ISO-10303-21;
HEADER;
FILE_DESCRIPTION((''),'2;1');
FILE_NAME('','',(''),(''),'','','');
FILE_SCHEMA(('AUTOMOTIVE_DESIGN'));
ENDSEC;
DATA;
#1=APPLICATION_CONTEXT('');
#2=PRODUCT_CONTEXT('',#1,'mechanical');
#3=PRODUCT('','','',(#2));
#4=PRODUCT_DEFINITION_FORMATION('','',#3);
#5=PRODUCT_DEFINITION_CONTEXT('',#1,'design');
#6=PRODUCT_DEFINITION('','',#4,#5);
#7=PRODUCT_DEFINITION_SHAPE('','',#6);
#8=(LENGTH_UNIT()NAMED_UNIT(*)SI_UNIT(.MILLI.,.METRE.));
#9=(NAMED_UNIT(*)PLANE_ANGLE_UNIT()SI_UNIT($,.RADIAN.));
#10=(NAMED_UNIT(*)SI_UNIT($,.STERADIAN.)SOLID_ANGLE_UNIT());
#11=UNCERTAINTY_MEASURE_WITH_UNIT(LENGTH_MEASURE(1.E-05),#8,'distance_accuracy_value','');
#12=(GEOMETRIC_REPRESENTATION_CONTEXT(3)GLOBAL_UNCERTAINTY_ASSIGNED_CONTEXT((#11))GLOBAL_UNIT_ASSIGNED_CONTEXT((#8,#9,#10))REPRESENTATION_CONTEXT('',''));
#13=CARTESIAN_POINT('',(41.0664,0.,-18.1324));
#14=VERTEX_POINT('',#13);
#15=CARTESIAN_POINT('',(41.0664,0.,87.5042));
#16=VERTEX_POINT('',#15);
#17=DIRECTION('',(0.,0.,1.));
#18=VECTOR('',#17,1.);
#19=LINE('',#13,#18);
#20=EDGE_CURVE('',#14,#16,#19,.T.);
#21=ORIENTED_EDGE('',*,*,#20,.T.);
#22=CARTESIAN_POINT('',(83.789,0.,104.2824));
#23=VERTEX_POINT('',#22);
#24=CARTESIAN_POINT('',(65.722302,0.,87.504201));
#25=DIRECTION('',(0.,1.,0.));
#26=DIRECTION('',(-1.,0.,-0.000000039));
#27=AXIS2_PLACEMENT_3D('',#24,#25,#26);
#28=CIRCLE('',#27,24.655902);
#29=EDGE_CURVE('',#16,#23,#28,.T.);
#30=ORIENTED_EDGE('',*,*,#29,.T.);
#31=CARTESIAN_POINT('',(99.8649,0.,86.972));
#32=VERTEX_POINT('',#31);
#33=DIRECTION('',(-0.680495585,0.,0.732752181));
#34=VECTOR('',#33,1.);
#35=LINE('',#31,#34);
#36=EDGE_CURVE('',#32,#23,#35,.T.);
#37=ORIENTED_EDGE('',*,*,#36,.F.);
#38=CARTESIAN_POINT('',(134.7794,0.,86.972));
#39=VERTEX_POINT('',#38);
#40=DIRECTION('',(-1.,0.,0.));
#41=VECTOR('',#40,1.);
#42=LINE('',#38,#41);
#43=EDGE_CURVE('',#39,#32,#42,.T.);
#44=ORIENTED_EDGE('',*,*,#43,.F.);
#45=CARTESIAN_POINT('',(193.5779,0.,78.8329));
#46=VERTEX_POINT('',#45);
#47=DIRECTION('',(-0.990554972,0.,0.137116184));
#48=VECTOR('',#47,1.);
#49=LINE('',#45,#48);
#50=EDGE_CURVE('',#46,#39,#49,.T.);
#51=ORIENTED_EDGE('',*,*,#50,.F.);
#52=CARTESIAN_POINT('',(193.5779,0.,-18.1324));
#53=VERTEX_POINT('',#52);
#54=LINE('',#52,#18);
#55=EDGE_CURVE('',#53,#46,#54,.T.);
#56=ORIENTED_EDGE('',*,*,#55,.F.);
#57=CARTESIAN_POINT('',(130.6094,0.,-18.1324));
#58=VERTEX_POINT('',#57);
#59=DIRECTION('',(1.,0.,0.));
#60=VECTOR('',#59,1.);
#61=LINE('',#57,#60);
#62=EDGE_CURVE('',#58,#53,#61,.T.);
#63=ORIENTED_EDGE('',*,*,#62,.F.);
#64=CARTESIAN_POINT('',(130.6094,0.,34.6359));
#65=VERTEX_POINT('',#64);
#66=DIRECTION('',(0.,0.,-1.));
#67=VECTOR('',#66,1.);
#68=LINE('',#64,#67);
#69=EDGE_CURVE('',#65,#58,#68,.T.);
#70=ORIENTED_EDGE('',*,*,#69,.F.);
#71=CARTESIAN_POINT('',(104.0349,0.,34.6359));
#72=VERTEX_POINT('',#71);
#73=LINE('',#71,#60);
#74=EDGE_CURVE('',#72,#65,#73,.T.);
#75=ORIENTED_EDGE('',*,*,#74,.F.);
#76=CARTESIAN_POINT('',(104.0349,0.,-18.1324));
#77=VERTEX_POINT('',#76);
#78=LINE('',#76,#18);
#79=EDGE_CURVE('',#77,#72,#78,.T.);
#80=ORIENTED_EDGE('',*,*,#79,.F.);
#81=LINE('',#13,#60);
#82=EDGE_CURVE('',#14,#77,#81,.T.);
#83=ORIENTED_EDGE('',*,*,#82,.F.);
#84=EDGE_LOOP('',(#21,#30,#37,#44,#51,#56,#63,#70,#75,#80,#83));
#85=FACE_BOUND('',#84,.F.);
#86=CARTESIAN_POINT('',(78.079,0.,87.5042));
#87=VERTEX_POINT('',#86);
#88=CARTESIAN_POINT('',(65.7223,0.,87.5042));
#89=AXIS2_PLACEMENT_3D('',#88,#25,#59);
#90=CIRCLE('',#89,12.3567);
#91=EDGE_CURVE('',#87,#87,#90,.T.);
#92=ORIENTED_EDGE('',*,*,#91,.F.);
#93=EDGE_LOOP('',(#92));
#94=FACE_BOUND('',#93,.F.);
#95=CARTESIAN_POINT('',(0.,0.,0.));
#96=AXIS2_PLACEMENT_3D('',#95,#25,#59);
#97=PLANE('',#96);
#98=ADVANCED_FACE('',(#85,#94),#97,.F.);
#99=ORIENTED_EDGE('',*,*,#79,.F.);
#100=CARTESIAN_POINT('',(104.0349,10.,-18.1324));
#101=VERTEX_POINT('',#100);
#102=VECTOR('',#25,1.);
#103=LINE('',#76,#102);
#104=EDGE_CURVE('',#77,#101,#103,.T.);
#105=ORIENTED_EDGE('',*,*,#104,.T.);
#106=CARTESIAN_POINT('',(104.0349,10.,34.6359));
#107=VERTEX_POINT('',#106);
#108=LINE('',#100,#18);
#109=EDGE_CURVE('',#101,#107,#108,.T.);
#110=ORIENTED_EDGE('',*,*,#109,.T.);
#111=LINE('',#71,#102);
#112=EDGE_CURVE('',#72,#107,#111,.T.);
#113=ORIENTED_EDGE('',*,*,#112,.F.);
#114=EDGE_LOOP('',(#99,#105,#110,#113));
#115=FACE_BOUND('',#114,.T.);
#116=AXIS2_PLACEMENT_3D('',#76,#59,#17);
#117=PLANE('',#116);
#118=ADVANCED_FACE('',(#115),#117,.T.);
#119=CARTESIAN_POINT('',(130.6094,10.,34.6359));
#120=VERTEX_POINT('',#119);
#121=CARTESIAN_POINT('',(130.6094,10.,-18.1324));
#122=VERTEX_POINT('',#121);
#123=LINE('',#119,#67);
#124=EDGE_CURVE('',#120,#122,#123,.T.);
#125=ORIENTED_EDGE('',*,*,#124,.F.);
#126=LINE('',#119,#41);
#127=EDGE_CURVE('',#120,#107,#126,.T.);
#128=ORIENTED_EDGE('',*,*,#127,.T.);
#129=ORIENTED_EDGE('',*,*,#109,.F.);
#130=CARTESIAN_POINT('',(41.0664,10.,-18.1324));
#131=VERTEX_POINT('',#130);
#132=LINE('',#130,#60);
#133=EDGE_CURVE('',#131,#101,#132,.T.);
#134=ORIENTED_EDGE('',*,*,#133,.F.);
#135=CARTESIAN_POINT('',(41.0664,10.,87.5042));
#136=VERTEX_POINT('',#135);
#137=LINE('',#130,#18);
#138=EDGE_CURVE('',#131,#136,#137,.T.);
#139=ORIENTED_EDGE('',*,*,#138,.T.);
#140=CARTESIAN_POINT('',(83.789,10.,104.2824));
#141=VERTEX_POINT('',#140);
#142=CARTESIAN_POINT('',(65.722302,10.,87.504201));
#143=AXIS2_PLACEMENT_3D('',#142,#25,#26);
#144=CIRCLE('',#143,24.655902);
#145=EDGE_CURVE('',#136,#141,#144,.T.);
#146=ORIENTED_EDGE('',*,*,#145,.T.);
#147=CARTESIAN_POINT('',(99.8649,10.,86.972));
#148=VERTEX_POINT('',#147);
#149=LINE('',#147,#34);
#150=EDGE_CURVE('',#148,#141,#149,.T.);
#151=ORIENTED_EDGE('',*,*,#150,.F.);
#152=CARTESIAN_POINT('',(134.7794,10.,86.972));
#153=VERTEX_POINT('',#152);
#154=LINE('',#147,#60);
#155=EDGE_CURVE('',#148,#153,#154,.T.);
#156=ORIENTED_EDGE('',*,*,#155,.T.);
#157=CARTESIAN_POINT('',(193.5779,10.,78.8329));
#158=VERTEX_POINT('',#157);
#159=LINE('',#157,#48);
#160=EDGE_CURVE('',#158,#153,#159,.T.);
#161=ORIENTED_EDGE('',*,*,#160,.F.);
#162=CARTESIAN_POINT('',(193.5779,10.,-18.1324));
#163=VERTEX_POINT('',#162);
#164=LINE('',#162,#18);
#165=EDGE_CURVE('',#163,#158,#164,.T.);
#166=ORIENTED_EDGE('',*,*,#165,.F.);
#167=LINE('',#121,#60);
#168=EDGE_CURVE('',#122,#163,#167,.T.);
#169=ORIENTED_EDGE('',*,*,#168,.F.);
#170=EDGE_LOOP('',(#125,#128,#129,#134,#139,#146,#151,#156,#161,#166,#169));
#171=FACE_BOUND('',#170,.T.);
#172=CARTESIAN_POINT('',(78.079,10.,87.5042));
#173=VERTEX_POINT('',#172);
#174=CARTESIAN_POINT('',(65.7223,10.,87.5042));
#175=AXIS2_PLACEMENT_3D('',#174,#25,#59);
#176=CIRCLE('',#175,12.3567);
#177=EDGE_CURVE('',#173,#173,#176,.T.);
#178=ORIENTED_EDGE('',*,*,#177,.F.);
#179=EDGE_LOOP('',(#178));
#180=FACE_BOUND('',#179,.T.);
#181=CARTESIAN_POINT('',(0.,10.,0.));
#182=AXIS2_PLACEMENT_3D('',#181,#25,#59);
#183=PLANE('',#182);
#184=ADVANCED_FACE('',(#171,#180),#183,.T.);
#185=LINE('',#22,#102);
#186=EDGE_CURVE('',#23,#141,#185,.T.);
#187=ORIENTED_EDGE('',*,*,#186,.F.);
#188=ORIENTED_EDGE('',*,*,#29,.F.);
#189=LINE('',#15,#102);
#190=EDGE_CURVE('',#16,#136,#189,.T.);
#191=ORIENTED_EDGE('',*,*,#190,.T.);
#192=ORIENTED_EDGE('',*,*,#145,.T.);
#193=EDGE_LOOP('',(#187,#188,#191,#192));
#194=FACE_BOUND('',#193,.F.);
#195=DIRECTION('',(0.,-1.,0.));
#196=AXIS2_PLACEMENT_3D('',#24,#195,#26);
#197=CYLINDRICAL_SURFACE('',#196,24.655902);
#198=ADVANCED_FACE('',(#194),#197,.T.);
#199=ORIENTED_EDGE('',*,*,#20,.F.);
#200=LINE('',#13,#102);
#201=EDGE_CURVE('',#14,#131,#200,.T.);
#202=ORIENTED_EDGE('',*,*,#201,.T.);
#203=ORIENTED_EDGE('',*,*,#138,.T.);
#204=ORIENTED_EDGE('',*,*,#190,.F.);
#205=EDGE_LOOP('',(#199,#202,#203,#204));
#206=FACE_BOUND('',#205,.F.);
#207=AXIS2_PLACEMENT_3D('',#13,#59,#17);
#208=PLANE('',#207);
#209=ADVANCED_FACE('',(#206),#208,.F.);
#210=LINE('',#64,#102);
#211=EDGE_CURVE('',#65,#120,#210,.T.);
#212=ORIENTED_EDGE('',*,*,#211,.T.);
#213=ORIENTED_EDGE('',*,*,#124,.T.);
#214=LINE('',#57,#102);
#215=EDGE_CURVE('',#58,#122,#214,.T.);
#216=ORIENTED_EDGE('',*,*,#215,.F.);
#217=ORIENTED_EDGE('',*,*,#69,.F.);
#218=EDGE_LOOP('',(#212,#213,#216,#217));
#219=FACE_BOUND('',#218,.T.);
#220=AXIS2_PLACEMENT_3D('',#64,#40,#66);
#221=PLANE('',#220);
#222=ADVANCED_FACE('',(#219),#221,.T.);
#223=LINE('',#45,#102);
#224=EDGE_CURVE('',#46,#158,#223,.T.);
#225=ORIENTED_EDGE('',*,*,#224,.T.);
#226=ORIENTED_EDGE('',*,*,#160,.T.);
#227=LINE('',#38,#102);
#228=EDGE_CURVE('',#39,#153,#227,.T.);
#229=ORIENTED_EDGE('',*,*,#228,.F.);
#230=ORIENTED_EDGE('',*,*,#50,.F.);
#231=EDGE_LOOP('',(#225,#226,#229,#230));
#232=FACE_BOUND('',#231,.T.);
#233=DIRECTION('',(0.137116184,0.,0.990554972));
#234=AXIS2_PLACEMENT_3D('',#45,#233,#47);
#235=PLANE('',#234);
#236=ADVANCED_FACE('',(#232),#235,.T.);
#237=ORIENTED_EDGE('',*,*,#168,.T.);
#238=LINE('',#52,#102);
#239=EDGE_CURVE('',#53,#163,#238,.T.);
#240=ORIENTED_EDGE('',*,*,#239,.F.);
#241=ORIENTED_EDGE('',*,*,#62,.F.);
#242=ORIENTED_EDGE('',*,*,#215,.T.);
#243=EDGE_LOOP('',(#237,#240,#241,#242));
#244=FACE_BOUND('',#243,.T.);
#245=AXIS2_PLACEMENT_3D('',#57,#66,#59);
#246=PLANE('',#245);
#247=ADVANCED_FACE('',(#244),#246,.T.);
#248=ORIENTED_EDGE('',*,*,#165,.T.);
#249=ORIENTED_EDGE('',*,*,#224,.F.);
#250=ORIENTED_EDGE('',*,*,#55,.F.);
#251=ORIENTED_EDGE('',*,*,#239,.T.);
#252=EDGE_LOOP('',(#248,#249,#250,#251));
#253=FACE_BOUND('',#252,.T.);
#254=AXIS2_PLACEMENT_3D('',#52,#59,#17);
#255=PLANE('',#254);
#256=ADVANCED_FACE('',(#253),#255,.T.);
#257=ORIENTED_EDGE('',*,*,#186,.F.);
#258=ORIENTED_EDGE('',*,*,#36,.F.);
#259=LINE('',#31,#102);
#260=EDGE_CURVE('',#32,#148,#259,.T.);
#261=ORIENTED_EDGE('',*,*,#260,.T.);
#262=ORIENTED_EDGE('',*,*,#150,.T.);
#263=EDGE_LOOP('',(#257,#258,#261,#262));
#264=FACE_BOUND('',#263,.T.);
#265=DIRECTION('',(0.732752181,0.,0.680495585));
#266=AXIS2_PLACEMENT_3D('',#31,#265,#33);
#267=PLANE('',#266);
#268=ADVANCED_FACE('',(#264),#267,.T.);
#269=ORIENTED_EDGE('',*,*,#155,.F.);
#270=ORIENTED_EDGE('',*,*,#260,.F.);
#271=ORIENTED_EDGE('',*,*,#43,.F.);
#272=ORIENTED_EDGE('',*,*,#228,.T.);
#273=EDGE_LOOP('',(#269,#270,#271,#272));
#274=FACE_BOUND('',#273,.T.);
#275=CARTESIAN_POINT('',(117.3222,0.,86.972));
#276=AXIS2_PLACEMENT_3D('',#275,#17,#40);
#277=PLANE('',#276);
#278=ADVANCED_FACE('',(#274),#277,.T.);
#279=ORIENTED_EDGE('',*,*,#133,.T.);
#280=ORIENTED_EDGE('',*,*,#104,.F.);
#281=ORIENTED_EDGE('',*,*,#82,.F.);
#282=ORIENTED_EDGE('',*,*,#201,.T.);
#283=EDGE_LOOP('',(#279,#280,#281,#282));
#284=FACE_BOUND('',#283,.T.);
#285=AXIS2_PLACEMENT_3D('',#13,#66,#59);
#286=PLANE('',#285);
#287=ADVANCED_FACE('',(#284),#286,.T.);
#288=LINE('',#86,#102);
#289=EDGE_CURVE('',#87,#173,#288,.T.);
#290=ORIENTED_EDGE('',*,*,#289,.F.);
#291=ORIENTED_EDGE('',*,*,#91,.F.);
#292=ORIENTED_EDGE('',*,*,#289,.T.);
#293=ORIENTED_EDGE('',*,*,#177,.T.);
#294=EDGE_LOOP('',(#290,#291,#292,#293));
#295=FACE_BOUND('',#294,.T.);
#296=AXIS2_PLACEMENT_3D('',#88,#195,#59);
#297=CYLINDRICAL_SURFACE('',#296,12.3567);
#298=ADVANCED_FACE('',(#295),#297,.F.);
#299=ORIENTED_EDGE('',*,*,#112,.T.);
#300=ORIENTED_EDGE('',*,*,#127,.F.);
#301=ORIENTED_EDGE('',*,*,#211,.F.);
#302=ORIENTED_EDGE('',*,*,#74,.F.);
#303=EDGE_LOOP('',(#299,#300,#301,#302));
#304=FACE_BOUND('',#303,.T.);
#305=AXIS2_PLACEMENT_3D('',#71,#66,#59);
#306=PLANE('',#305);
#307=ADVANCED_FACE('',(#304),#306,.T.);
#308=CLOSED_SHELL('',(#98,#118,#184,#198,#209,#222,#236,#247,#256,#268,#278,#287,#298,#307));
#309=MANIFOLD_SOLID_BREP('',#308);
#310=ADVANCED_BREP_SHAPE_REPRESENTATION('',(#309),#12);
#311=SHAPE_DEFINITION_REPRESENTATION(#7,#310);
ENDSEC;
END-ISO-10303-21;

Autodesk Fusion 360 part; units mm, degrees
sketch "Constraints Demo" plane through (0, 0, 0) normal (0, 1, 0) x (1, 0, 0)
  line L0 (41.0664, 18.1324) -> (104.0349, 18.1324)
  line L1 (104.0349, 18.1324) -> (104.0349, -34.6359)
  line L2 (104.0349, -34.6359) -> (130.6094, -34.6359)
  line L3 (130.6094, -34.6359) -> (130.6094, 18.1324)
  line L4 (130.6094, 18.1324) -> (193.5779, 18.1324)
  line L5 (193.5779, 18.1324) -> (193.5779, -78.8329)
  line L6 (193.5779, -78.8329) -> (134.7794, -86.972)
  line L7 (134.7794, -86.972) -> (99.8649, -86.972)
  line L8 (99.8649, -86.972) -> (83.789, -104.2824)
  line L9 (41.0664, 18.1324) -> (41.0664, -87.5042)
  arc A0 (41.0664, -87.5042) -> (83.789, -104.2824) centre (65.7223, -87.5042) ccw
  circle A1 centre (65.7223, -87.5042) radius 12.3567
  line L10 (117.3222, -86.972) -> (117.3222, -34.6359)
  line L11 (250, -100) -> (250, -35)
  spline S0 degree 5 poles (250, -35) (250, -32.6028) (250, -27.8084) (250.0776, -20.8345) (250.5826, -12.5726) (252.2639, -4.5288) (255.2107, 1.2852) (259.5207, 5.2526) (265.2004, 7.8511) (272.1693, 9.4403) (280.3152, 10.2655) (287.6902, 10.4323) (293.6726, 10.3106) (297.858, 10.1215) (300, 10) knots 0 0 0 0 0 0 0.1 0.2 0.3 0.4 0.5 0.6 0.7 0.8 0.9 1 1 1 1 1 1
  point P0 (260, 5)
extrude "Extrude1" add sketch "Constraints Demo" along normal blind 10
